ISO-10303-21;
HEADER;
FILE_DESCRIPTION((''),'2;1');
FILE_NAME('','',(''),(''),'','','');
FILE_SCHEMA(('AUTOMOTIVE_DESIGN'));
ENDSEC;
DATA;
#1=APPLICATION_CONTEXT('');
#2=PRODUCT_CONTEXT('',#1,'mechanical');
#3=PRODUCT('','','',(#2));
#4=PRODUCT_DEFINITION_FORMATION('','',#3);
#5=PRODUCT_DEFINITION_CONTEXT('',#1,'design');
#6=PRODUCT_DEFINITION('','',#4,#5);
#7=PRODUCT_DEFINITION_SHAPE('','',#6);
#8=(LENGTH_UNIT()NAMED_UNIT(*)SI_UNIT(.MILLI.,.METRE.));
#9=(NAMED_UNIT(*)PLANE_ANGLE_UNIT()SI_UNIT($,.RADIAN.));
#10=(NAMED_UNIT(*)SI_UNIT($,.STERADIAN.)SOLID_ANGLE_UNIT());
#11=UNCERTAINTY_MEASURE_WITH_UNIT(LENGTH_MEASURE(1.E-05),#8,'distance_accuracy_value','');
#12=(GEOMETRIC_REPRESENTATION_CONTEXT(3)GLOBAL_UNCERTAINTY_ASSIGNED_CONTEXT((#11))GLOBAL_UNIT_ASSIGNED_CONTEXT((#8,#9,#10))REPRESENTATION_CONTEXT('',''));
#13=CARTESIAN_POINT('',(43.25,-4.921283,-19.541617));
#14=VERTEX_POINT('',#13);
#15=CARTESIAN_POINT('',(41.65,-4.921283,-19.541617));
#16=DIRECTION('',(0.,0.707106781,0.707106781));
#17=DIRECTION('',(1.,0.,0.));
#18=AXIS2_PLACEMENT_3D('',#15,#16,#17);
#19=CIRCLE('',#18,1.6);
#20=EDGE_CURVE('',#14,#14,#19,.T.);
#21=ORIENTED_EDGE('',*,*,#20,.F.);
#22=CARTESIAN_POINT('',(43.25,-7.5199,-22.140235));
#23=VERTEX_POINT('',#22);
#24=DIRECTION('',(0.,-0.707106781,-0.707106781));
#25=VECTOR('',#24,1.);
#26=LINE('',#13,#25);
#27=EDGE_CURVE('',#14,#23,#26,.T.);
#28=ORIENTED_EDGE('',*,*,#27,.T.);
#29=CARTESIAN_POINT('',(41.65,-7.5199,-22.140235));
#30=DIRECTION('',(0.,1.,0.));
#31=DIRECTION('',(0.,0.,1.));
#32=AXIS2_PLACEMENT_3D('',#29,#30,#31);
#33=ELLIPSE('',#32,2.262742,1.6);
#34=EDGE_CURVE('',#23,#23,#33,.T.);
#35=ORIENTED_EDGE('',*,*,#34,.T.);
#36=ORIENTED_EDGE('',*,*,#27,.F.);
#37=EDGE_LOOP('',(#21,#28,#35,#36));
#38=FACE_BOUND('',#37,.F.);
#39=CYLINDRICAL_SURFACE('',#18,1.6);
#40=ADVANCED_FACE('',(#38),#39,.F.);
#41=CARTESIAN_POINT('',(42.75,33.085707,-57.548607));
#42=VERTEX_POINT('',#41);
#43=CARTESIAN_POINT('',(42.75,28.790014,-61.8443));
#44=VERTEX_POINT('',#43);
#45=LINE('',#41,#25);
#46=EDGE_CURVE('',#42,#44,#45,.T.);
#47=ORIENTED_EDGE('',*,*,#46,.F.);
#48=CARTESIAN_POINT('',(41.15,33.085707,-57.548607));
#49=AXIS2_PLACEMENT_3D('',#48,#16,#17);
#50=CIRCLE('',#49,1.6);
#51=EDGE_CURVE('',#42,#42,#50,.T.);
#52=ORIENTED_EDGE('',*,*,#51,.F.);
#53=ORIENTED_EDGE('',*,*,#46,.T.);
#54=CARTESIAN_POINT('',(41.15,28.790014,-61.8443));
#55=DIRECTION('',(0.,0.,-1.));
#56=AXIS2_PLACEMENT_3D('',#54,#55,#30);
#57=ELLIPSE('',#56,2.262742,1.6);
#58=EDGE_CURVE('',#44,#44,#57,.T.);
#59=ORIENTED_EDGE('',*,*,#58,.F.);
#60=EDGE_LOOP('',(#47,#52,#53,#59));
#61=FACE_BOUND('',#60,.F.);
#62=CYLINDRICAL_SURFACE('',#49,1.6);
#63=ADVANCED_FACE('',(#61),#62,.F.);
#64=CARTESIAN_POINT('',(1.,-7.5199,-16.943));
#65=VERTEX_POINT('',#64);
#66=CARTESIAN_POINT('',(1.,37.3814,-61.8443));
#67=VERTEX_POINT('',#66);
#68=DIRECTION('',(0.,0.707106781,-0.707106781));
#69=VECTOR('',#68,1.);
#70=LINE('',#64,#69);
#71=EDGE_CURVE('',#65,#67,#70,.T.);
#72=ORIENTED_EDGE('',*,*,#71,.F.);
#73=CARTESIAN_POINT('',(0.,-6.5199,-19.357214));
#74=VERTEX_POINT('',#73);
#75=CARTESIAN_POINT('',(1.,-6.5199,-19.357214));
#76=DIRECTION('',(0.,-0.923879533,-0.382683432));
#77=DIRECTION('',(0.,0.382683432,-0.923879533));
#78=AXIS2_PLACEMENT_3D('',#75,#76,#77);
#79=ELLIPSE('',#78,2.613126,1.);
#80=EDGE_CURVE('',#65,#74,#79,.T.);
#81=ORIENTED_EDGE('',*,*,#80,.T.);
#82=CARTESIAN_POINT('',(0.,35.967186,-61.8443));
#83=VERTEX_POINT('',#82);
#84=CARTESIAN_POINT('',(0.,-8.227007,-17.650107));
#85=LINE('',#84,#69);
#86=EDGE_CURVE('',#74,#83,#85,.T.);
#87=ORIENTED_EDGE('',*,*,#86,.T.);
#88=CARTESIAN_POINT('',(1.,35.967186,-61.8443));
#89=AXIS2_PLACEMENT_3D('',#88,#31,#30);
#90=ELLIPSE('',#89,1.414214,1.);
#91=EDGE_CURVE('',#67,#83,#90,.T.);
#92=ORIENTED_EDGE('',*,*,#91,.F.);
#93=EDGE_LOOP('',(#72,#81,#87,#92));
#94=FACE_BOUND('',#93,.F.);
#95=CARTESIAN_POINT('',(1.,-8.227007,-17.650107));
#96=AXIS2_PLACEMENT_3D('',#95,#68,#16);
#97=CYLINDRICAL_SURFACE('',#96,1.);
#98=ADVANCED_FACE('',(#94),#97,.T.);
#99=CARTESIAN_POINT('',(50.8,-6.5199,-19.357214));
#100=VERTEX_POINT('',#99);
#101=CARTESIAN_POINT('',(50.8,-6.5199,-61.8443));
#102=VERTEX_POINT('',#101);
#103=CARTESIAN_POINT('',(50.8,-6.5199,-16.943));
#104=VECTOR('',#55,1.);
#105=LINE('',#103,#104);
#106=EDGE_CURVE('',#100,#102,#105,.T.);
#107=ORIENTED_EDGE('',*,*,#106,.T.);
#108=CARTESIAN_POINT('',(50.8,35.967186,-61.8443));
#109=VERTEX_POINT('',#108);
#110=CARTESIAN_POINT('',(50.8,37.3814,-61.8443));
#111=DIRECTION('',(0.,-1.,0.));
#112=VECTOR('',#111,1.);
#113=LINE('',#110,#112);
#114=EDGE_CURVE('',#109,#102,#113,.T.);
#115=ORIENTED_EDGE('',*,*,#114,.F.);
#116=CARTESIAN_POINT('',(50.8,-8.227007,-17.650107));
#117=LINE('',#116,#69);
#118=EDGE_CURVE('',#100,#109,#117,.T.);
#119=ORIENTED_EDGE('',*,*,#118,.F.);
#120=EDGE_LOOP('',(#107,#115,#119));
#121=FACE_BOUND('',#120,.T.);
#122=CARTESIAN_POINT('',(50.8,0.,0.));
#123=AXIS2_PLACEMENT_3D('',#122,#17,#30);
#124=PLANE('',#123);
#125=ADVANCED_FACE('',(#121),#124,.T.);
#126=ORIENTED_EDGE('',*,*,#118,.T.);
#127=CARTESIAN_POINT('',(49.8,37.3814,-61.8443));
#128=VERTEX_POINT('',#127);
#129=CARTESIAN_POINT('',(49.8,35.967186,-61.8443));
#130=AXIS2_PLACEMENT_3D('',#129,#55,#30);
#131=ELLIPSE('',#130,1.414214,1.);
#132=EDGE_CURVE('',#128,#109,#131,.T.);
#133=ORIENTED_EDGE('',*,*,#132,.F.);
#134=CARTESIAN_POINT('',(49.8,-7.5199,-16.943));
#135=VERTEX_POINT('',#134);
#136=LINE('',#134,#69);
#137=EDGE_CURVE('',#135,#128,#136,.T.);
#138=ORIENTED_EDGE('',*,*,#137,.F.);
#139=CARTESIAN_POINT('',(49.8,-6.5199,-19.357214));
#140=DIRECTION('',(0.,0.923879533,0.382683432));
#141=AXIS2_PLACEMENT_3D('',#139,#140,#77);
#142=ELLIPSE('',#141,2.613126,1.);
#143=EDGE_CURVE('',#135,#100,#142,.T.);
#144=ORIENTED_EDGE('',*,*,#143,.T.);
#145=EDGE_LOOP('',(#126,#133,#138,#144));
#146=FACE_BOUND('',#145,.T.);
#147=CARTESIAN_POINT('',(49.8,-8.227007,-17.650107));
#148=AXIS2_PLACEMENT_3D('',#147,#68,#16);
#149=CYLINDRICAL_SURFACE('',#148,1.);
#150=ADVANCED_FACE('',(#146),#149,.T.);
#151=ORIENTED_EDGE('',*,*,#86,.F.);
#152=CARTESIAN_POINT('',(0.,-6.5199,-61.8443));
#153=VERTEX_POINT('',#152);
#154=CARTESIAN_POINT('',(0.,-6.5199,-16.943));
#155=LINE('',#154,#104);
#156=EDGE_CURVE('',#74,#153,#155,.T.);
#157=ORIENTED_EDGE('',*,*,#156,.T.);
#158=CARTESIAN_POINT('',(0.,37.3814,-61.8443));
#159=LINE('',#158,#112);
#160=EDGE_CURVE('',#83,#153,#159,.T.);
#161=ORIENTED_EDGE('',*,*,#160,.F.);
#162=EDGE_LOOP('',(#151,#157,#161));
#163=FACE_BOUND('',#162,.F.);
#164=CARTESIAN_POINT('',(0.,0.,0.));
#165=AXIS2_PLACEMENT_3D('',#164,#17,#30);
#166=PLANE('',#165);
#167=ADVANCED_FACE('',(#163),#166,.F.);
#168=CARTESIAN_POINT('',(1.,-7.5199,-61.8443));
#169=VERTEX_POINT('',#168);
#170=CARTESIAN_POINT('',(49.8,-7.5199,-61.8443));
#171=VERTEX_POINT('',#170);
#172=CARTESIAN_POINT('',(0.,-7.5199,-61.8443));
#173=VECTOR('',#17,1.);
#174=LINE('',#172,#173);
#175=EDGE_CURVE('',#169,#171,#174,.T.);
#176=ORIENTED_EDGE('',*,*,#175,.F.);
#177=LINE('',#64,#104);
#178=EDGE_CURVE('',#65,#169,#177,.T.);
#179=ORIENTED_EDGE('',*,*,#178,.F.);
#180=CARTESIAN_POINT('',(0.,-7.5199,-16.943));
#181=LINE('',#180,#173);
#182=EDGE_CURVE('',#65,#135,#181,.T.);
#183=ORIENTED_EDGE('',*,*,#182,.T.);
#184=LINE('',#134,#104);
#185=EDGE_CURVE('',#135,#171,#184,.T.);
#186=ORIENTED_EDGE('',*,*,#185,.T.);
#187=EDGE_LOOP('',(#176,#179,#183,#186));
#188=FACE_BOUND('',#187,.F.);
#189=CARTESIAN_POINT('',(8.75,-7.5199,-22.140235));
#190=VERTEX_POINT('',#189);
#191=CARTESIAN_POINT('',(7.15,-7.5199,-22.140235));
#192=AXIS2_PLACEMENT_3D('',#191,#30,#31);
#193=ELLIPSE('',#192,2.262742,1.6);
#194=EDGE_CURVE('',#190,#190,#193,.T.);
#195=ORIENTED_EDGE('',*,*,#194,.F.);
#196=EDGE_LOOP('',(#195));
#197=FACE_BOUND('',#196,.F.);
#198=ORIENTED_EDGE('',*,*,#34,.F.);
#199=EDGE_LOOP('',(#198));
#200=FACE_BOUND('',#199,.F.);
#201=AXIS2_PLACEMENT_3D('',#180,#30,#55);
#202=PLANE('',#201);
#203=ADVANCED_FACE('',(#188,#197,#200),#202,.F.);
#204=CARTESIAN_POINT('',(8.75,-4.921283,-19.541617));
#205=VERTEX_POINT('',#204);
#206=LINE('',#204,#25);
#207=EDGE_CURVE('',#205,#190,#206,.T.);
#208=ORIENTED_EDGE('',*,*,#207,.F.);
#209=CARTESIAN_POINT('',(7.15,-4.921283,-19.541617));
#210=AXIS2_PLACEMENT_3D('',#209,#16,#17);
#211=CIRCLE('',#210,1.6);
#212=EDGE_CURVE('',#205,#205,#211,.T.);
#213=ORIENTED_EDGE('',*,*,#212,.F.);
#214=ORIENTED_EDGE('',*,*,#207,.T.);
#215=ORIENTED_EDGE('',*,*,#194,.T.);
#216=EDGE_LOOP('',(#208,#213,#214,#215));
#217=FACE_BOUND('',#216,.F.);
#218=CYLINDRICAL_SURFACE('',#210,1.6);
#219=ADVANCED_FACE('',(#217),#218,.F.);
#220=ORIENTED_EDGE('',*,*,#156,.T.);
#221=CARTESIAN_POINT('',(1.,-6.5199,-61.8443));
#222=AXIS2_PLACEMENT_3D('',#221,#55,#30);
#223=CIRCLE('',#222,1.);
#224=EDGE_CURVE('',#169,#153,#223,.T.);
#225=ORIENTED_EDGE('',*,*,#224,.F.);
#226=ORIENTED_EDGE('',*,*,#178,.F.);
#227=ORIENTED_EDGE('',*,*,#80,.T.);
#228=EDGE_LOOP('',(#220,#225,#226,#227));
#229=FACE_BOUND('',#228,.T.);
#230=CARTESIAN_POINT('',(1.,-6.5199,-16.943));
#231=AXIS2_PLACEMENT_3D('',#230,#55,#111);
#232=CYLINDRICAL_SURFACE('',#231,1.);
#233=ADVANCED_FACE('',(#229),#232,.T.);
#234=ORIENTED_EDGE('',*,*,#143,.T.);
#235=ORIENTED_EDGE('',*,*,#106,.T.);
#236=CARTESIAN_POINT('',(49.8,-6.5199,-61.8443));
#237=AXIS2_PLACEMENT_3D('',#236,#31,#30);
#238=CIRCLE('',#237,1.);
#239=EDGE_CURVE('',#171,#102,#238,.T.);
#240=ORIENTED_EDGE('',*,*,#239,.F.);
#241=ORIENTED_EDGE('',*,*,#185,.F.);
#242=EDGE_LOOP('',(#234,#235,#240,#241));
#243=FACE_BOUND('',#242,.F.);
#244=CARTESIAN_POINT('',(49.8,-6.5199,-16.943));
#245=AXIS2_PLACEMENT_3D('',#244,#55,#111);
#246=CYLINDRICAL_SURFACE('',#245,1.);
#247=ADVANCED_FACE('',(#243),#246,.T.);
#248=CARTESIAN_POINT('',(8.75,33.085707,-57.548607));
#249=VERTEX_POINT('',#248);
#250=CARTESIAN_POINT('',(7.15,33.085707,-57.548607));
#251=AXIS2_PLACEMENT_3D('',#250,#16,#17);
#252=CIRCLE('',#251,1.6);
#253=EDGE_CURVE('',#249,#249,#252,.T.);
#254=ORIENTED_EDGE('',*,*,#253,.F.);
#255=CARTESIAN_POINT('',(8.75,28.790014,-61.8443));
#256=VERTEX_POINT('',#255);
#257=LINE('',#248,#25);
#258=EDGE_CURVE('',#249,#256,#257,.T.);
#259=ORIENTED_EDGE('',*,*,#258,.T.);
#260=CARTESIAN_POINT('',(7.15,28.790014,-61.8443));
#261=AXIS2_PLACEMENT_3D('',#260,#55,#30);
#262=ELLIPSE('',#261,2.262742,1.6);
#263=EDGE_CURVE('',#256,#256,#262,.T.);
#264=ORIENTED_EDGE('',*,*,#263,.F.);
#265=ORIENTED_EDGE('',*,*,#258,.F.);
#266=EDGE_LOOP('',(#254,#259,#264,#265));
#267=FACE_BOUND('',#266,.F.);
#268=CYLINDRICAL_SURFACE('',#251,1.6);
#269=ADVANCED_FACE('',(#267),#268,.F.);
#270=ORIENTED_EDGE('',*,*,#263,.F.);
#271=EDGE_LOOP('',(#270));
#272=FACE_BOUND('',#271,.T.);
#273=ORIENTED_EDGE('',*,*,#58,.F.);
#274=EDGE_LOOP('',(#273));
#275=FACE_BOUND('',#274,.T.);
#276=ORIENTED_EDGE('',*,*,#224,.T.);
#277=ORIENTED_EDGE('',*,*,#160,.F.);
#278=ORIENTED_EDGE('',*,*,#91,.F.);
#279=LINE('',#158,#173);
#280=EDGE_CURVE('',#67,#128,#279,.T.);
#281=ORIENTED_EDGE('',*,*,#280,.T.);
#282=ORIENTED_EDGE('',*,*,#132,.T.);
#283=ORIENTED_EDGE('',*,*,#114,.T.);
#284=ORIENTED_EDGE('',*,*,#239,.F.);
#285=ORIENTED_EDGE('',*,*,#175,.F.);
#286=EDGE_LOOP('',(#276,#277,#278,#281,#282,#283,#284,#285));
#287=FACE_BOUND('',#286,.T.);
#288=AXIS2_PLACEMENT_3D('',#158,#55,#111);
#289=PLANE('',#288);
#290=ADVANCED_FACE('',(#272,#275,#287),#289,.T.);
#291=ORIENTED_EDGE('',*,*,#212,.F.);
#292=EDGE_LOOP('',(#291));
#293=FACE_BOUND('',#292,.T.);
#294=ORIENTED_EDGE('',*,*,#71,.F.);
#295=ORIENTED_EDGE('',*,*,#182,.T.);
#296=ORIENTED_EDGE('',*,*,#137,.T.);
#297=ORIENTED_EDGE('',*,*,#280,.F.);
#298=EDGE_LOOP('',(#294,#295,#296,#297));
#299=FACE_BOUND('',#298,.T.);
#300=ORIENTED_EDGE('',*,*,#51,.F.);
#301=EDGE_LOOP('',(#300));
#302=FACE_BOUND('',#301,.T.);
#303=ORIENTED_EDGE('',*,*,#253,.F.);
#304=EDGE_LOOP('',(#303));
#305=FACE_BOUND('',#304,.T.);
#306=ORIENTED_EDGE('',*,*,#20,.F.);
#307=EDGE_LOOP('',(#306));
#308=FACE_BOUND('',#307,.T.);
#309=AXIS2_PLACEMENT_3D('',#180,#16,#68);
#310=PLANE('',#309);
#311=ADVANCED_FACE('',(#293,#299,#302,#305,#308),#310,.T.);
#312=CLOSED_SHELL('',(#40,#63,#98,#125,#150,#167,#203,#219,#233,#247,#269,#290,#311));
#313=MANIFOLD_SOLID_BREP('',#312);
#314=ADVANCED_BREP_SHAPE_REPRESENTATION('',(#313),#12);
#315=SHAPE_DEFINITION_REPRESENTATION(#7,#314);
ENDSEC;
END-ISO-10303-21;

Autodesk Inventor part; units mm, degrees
ref_plane "YZ Plane" through (0, 0, 0) normal (1, 0, 0) x (0, 1, 0)
ref_plane "XZ Plane" through (0, 0, 0) normal (0, 1, 0) x (-1, 0, 0)
ref_plane "XY Plane" through (0, 0, 0) normal (0, 0, 1) x (1, 0, 0)
sketch "Sketch2" plane through (0, 0, 0) normal (1, 0, 0) x (0, 1, 0)
  line L0 (-7.5199, -16.943) -> (37.3814, -61.8443)
  line L1 (37.3814, -61.8443) -> (-7.5199, -61.8443)
  line L2 (-7.5199, -16.943) -> (-7.5199, -61.8443)
  point P0 (0, 0)
  dimension "d0" = 63.5
  dimension "d3" = 45
extrude "Extrusion1" add sketch "Sketch2" along normal blind 50.8
sketch "Sketch4" plane through (0, -7.5199, -16.943) normal (0, 0.7071, 0.7071) x (1, 0, 0)
  circle A0 centre (41.65, 3.675) radius 1.6 projected
  circle A1 centre (41.15, 57.425) radius 1.6 projected
  circle A2 centre (7.15, 57.425) radius 1.6 projected
  circle A3 centre (7.15, 3.675) radius 1.6 projected
  point P0 (0, -6.6631)
extrude "Extrusion3" cut sketch "Sketch4" against normal through all
fillet "Fillet1" radius 1 4 edges at (50.8, -7.5199, -39.3936) (50.8, 14.9307, -39.3936) (0, 14.9307, -39.3936) (0, -7.5199, -39.3936)
